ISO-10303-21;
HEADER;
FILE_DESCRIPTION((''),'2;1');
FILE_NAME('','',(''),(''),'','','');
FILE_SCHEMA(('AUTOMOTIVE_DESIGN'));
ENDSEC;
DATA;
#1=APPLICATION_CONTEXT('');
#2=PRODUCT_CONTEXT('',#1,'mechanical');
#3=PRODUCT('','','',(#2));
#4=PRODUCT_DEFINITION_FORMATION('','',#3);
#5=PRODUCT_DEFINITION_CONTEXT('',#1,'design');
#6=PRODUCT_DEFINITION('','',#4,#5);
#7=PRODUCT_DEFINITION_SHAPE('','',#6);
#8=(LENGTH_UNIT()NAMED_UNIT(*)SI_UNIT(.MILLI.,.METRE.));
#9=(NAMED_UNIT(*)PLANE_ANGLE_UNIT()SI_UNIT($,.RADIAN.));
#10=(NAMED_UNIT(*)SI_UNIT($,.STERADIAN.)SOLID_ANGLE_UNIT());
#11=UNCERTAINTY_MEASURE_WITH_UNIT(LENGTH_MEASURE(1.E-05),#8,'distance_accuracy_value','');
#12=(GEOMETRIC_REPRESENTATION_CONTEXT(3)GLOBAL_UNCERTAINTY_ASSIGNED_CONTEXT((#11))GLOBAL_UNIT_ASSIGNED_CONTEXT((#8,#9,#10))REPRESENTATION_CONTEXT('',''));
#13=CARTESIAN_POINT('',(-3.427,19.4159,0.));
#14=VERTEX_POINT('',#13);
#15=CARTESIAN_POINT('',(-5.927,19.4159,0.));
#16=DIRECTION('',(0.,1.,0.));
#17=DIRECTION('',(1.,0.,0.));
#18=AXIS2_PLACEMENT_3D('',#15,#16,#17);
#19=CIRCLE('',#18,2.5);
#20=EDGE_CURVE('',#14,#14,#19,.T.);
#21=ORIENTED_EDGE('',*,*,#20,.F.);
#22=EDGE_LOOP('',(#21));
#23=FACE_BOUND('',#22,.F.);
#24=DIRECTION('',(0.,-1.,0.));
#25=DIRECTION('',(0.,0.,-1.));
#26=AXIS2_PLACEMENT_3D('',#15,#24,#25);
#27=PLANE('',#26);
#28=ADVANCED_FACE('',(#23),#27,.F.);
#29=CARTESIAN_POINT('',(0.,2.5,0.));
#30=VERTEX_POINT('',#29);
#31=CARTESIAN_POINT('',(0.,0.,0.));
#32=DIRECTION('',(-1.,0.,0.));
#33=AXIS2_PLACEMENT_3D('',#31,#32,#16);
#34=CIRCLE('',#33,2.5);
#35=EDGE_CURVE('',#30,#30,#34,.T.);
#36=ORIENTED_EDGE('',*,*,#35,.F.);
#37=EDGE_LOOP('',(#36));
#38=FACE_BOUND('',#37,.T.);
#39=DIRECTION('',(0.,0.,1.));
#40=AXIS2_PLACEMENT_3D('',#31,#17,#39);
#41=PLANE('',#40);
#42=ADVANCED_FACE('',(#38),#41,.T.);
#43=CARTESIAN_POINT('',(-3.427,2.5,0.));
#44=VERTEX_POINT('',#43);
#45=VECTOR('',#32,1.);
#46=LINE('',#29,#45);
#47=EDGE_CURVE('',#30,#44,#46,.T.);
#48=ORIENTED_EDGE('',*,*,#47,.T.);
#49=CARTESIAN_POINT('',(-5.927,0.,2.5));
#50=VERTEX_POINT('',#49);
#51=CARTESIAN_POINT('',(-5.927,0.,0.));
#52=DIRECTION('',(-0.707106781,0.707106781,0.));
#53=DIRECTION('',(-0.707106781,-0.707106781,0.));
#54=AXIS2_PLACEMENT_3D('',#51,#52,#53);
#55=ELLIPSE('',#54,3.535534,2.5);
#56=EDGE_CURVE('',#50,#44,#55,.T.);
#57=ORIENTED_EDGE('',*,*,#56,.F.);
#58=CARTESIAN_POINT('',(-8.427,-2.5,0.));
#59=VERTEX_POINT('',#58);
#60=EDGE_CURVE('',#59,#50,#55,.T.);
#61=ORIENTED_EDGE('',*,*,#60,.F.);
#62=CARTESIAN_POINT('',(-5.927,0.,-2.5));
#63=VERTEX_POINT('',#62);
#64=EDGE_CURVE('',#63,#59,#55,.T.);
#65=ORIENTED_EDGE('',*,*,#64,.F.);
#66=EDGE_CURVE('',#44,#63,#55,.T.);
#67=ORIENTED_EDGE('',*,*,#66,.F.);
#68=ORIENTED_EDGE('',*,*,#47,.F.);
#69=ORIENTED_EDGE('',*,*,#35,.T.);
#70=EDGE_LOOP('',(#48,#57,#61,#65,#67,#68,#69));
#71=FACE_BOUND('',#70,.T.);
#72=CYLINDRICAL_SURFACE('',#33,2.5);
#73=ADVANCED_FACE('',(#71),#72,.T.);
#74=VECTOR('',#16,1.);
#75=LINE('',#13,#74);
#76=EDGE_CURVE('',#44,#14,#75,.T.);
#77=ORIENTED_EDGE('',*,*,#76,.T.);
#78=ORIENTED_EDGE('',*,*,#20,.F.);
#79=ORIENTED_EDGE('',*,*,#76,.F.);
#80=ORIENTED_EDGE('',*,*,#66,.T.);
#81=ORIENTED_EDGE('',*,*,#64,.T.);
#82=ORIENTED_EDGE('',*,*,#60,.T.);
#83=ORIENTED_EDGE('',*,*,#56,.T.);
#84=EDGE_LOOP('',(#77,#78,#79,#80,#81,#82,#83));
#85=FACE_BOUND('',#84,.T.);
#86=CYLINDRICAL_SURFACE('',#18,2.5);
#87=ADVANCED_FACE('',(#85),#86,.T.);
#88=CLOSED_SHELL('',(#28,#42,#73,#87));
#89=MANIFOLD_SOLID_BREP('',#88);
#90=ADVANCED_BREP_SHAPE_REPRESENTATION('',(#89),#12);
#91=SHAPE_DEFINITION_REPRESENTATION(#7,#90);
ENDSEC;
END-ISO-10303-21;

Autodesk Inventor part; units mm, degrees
ref_plane "YZ Plane" through (0, 0, 0) normal (1, 0, 0) x (0, 1, 0)
ref_plane "XZ Plane" through (0, 0, 0) normal (0, 1, 0) x (-1, 0, 0)
ref_plane "XY Plane" through (0, 0, 0) normal (0, 0, 1) x (1, 0, 0)
sketch "Sketch1" plane through (0, 0, 0) normal (1, 0, 0) x (0, 1, 0)
  circle A0 centre (0, 0) radius 2.5
  dimension "d0" = 5
sketch "Sketch2" plane through (0, 0, 0) normal (0, 0, 1) x (1, 0, 0)
  line L0 (0, 0) -> (-5.927, 0)
  line L1 (-5.927, 19.4159) -> (-5.927, 0)
  dimension "d1" = 5.927
  dimension "d5" = 19.4159
sweep "Sweep1" add profiles "Sketch1" path "Sketch2"
properties part number "Placeholder_For_Bevel_Gear"
